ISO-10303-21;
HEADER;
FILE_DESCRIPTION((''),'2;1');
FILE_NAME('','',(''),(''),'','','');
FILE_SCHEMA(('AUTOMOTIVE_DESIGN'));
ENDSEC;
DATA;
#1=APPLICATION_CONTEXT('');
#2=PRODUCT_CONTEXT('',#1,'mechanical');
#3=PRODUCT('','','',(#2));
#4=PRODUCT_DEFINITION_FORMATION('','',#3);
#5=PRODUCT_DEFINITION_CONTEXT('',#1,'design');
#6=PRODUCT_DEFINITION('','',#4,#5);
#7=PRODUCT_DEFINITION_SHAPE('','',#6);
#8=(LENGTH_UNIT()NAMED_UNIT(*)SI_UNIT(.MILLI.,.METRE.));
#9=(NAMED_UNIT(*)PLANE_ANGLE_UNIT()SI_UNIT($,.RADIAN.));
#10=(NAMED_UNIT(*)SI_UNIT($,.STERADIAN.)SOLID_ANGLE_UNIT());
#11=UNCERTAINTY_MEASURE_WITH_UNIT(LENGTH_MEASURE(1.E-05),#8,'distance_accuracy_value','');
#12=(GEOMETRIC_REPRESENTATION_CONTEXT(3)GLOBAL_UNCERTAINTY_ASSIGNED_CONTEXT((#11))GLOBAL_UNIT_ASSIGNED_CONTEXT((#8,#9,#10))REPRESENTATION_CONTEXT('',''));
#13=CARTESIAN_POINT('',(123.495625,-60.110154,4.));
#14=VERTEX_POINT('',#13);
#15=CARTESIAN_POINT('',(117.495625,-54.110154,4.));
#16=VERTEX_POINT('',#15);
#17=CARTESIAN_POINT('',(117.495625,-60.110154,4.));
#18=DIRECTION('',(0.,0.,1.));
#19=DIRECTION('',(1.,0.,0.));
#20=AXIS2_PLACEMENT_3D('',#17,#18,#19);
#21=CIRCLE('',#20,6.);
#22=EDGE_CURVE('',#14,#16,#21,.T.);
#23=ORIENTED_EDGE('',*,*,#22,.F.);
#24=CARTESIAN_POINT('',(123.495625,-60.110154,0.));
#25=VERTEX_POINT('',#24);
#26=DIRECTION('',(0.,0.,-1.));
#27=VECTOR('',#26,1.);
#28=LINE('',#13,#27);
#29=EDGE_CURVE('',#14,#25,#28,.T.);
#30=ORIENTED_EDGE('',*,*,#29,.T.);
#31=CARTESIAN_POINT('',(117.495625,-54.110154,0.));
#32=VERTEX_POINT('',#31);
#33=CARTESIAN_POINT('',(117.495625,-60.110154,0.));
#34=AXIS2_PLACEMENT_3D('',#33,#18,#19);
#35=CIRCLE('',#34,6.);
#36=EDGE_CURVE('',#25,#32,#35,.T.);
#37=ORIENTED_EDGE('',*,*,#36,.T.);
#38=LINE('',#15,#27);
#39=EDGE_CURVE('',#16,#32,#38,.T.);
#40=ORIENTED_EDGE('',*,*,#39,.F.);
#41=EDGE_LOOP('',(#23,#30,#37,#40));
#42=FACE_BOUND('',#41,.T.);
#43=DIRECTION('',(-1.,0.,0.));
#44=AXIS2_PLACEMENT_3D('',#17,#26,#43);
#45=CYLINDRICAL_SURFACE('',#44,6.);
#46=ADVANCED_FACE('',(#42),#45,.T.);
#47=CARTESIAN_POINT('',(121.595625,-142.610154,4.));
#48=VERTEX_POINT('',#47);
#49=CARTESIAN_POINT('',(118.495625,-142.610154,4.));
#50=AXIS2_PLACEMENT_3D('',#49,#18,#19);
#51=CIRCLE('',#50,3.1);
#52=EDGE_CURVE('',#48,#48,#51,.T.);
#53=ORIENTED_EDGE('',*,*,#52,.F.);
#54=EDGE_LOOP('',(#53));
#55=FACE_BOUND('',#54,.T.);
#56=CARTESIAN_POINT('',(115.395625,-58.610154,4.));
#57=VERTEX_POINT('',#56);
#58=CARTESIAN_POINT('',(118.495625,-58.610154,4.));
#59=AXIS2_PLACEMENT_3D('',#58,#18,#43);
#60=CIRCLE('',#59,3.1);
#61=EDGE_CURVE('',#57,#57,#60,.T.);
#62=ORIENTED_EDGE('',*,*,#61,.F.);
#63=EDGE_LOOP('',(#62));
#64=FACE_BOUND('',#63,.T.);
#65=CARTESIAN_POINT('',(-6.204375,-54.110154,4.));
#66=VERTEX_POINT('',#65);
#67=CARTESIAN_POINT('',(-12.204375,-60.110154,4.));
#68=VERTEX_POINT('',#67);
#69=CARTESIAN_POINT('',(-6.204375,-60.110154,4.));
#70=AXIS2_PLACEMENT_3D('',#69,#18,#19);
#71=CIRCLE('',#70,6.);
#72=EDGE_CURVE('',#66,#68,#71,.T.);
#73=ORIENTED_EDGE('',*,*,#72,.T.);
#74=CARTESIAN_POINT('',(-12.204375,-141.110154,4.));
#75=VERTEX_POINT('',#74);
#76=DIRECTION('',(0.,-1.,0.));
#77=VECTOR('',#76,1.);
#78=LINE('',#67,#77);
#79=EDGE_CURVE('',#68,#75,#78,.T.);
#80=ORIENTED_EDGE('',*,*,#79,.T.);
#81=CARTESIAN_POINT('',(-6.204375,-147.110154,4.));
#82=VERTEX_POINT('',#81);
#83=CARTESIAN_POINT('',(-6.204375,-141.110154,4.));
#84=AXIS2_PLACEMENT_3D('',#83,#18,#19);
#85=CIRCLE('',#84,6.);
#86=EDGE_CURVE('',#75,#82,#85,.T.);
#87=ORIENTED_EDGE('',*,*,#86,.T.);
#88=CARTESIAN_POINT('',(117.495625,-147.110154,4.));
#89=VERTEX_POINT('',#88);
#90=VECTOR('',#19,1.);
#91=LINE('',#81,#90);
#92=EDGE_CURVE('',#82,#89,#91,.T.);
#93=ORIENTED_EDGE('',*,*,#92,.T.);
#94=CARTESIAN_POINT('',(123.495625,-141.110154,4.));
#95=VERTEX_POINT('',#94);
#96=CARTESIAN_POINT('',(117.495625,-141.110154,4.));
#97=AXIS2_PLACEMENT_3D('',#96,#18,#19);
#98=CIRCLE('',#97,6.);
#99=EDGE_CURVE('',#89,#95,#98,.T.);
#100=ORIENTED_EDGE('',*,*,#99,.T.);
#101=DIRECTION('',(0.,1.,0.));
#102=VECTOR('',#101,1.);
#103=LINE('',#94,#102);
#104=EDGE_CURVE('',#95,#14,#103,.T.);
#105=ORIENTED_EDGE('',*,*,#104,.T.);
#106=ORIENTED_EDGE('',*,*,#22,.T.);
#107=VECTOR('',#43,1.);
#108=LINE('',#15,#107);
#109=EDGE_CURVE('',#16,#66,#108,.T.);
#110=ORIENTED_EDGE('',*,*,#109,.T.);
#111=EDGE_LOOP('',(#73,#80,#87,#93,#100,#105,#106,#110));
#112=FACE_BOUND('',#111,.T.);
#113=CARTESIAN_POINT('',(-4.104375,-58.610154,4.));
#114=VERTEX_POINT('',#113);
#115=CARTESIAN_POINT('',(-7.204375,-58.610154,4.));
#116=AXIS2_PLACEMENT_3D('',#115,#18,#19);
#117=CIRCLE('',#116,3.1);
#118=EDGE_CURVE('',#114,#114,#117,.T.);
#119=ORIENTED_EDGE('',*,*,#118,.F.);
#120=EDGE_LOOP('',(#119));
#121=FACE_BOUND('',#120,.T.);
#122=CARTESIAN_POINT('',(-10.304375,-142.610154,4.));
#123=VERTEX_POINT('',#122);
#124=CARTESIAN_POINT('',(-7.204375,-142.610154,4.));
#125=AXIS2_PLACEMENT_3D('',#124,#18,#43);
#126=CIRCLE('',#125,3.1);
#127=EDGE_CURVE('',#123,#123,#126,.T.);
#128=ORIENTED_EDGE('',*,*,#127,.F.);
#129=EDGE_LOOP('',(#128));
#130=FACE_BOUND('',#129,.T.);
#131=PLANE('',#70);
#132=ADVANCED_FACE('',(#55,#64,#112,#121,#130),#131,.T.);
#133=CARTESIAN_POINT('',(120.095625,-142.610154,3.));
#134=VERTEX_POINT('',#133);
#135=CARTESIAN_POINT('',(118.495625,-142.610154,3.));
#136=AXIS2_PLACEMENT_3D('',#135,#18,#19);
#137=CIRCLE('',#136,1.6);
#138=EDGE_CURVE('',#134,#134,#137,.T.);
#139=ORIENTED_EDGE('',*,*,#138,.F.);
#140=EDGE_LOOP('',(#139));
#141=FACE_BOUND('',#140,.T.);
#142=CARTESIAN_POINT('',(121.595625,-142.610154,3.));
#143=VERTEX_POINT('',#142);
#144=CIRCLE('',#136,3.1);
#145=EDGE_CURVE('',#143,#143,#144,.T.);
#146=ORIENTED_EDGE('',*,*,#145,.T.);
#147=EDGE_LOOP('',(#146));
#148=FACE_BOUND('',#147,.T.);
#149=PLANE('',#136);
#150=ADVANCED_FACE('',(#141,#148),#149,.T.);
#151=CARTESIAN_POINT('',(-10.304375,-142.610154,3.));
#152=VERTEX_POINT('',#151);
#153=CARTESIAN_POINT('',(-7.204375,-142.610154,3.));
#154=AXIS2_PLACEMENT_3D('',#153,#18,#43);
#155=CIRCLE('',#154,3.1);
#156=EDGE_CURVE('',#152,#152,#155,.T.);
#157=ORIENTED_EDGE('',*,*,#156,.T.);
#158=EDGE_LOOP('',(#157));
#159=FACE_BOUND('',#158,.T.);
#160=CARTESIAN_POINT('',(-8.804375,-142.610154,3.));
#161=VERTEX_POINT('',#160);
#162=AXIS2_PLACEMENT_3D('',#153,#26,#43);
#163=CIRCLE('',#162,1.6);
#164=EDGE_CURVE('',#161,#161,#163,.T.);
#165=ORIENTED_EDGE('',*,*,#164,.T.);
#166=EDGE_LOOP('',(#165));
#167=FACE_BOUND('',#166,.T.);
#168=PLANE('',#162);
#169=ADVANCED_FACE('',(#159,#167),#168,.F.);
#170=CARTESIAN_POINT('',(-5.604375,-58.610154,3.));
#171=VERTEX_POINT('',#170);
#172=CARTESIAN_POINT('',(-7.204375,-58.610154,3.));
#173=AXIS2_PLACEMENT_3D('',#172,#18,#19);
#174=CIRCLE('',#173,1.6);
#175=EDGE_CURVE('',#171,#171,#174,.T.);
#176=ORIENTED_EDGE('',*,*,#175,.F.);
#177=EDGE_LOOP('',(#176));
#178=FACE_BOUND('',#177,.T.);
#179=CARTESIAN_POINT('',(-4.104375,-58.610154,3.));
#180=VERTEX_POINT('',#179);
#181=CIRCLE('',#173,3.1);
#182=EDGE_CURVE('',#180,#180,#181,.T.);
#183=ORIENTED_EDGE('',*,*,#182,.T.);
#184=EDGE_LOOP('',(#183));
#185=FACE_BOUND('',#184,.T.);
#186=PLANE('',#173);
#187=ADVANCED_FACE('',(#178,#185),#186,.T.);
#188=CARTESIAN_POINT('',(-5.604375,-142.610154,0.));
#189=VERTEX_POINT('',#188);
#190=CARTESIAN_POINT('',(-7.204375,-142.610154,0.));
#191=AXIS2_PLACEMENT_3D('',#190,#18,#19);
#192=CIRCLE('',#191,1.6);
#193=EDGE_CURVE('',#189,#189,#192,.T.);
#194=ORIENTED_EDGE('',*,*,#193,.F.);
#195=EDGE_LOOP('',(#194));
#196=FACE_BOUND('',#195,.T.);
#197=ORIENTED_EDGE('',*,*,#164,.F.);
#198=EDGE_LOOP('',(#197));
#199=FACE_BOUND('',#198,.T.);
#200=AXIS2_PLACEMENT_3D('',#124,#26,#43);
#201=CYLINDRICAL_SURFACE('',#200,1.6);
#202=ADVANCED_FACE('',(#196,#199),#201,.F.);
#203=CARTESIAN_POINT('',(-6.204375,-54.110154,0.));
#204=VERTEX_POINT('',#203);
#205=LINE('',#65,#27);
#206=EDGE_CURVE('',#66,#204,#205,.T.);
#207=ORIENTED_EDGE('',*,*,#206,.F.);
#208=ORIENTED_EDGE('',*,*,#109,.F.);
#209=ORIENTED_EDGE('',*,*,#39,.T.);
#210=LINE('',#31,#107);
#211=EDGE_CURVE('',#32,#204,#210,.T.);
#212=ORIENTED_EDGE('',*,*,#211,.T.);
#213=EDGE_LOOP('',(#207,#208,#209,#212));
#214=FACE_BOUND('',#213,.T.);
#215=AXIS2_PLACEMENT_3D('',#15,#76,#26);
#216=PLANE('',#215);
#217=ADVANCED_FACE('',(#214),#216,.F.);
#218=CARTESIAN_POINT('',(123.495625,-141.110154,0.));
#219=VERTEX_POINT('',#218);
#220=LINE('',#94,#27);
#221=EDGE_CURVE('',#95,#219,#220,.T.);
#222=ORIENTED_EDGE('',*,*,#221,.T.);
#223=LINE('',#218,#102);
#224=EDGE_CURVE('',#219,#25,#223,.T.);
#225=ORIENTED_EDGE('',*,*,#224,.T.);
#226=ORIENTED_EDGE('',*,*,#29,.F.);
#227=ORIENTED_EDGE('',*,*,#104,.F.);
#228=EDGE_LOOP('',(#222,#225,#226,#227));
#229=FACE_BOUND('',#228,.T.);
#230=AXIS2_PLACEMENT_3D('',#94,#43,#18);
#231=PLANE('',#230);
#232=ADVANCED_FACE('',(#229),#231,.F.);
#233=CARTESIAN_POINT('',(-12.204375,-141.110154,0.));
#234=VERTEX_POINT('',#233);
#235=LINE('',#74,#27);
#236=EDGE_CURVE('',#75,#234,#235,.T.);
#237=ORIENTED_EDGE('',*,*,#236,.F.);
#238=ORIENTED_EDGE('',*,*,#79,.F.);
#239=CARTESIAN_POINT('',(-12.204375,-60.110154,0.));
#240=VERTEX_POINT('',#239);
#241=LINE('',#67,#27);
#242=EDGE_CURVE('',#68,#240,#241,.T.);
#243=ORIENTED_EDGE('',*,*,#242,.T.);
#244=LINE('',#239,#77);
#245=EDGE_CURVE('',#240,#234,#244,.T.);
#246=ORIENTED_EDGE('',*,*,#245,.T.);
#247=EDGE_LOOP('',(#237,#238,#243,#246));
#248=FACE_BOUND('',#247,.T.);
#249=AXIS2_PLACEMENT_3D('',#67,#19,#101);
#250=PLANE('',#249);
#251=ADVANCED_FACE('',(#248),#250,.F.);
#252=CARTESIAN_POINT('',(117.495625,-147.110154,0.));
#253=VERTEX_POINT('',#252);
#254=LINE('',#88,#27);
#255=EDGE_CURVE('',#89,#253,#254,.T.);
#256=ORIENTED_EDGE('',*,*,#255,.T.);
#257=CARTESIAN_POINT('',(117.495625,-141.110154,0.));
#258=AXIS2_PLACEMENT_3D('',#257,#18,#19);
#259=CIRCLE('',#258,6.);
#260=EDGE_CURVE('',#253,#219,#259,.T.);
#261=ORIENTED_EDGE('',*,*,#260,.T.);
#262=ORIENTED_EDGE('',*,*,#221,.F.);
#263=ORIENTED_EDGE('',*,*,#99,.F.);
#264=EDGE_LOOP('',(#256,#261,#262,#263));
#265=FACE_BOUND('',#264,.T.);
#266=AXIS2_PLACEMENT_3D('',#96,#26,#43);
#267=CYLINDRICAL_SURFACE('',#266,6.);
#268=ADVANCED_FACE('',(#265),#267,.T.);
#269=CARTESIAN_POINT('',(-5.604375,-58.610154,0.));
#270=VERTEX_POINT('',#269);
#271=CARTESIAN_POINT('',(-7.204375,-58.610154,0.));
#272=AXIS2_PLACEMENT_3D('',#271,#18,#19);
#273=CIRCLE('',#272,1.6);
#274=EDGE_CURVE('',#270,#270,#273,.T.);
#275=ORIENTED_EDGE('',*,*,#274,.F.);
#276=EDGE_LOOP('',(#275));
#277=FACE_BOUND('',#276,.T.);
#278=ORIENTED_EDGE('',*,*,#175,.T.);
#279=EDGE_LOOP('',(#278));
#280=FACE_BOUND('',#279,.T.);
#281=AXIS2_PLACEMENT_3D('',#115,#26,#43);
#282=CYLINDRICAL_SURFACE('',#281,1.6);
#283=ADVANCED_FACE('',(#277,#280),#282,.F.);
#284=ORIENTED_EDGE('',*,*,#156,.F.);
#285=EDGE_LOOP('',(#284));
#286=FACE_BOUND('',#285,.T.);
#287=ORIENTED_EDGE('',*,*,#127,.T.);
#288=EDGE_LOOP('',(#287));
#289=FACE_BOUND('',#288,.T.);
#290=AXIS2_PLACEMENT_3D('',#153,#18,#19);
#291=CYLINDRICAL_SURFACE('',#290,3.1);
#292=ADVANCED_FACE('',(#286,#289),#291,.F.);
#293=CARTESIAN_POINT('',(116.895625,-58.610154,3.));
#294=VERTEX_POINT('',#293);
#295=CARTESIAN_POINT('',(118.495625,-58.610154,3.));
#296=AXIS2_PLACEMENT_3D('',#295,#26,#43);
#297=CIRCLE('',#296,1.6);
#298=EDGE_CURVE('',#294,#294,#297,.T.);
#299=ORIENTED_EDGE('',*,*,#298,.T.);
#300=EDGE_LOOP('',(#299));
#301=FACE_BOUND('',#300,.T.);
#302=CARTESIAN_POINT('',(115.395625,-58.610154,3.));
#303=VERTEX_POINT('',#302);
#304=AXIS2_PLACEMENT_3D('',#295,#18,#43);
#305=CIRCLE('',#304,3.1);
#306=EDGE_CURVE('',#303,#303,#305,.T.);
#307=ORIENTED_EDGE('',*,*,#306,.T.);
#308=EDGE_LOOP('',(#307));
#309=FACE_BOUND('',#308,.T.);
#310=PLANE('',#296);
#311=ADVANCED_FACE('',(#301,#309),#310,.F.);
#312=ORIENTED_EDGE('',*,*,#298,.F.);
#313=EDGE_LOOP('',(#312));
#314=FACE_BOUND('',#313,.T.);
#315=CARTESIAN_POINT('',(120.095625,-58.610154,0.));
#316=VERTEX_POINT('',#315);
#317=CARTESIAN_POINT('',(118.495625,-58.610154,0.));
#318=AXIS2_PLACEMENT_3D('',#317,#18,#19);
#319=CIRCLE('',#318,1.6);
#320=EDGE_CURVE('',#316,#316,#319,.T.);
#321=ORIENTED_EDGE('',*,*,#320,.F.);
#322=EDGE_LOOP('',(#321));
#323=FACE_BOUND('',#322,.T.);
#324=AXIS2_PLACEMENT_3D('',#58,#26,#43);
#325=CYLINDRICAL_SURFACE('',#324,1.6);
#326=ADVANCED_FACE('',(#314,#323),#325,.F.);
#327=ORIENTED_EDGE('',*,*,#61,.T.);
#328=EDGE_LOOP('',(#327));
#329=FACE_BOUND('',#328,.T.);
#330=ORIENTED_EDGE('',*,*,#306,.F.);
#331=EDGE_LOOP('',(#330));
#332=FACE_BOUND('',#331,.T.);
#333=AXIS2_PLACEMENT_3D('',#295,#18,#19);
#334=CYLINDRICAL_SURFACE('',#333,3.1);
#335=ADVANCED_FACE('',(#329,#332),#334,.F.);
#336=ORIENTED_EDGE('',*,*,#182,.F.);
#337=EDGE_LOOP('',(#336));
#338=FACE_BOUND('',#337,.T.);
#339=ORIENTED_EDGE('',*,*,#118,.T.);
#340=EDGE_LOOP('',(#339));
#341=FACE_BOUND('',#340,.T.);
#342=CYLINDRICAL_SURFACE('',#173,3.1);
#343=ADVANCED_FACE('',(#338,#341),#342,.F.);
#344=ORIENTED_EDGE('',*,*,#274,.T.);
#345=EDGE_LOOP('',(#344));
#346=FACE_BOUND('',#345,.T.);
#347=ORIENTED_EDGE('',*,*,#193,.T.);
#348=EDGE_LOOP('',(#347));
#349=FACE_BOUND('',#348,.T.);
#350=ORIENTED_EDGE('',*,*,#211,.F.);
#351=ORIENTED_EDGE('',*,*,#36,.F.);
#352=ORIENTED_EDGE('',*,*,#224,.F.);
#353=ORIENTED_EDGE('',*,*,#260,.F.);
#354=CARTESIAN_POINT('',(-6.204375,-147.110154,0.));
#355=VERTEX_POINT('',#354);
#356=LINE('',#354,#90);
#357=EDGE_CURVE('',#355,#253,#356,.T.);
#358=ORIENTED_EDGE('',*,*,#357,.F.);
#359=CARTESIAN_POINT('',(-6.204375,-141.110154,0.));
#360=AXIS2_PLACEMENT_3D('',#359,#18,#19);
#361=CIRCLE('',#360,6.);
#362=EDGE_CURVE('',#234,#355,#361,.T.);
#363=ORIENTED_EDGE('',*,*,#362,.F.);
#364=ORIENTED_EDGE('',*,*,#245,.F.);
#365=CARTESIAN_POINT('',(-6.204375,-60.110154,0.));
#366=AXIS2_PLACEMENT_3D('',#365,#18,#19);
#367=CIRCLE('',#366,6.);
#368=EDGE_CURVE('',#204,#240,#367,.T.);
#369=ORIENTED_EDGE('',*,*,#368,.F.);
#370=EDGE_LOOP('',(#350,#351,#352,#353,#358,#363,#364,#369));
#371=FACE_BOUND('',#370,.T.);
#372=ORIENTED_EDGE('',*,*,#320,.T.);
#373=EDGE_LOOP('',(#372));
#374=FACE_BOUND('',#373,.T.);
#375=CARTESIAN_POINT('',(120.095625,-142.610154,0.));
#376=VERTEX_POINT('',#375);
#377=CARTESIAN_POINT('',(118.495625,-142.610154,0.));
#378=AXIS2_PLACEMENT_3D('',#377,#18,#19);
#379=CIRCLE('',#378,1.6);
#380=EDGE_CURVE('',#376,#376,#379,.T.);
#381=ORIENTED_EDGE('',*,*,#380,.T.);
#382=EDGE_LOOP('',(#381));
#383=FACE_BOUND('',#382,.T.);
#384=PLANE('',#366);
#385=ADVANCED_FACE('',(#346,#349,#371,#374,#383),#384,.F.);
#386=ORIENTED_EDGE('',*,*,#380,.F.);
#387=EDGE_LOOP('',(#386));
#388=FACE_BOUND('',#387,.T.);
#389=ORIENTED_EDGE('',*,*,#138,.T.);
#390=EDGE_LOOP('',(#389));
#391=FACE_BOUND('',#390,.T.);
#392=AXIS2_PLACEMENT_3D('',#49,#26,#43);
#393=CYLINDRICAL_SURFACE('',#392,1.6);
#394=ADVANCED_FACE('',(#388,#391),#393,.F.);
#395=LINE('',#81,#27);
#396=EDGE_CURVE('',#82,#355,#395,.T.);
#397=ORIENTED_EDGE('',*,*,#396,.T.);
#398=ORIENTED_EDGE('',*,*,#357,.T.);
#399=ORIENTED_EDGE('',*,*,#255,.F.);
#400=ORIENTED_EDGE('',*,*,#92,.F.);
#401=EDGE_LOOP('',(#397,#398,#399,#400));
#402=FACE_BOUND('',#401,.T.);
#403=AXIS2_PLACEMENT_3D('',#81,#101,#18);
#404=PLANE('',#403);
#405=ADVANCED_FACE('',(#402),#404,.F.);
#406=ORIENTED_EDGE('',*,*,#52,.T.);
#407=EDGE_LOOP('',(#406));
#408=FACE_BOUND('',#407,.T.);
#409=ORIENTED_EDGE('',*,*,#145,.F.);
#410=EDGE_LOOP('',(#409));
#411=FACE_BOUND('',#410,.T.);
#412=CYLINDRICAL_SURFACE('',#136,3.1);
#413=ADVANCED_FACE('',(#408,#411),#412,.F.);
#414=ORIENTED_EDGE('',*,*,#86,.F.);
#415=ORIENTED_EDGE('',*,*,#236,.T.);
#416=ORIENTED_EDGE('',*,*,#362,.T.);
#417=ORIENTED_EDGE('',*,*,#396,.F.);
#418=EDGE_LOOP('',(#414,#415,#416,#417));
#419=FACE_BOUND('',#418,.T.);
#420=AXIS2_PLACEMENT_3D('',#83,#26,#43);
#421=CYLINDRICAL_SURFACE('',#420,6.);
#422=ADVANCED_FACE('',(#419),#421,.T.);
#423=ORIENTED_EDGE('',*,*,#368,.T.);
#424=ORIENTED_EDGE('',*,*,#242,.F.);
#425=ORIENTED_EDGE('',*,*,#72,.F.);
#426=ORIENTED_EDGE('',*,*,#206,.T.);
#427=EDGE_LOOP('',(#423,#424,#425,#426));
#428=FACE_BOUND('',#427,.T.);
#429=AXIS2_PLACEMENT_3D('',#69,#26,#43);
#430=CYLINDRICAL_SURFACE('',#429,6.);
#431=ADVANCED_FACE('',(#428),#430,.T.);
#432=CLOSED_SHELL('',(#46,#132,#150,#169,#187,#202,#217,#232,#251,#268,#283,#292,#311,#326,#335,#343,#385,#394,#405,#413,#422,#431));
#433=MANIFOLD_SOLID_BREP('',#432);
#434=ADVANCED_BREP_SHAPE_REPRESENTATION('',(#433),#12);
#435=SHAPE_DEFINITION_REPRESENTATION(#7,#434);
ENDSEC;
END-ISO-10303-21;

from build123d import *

# Parameters (mm, degrees)
SKETCH1_R           = 1.6
BOSS_EXTRUDE1_DEPTH = 4
SKETCH2_R           = 3.1
CUT_EXTRUDE1_DEPTH  = 1


with BuildPart() as part:
    # Sketch1 → Boss-Extrude1 (new body)
    with BuildSketch(Plane.XY):
        with BuildLine():
            Line((-12.204375178, -60.110154246), (-12.204375178, -141.110154246))
            ThreePointArc((-12.204375178, -141.110154246), (-10.447015865, -145.352794933), (-6.204375178, -147.110154246))
            Line((-6.204375178, -147.110154246), (117.495624822, -147.110154246))
            ThreePointArc((117.495624822, -147.110154246), (121.738265509, -145.352794933), (123.495624822, -141.110154246))
            Line((123.495624822, -141.110154246), (123.495624822, -60.110154246))
            ThreePointArc((123.495624822, -60.110154246), (121.738265509, -55.867513558), (117.495624822, -54.110154246))
            Line((117.495624822, -54.110154246), (-6.204375178, -54.110154246))
            ThreePointArc((-6.204375178, -54.110154246), (-10.447015865, -55.867513558), (-12.204375178, -60.110154246))
        make_face()
        with Locations((-7.204375178, -58.610154246)):
            Circle(SKETCH1_R, mode=Mode.SUBTRACT)
        with Locations((118.495624822, -58.610154246)):
            Circle(SKETCH1_R, mode=Mode.SUBTRACT)
        with Locations((118.495624822, -142.610154246)):
            Circle(SKETCH1_R, mode=Mode.SUBTRACT)
        with Locations((-7.204375178, -142.610154246)):
            Circle(SKETCH1_R, mode=Mode.SUBTRACT)
    extrude(amount=BOSS_EXTRUDE1_DEPTH)

    # Sketch2 → Cut-Extrude1 (cut)
    with BuildSketch(Plane.XY.offset(4)):
        with Locations((-7.204375178, -58.610154246)):
            Circle(SKETCH2_R)
        with Locations(Location((118.495624822, -58.610154246, 0), (0, 0, 180))):
            Circle(SKETCH2_R)
        with Locations((118.495624822, -142.610154246)):
            Circle(SKETCH2_R)
        with Locations(Location((-7.204375178, -142.610154246, 0), (0, 0, 180))):
            Circle(SKETCH2_R)
    extrude(amount=-CUT_EXTRUDE1_DEPTH, mode=Mode.SUBTRACT)


solid = part.part
